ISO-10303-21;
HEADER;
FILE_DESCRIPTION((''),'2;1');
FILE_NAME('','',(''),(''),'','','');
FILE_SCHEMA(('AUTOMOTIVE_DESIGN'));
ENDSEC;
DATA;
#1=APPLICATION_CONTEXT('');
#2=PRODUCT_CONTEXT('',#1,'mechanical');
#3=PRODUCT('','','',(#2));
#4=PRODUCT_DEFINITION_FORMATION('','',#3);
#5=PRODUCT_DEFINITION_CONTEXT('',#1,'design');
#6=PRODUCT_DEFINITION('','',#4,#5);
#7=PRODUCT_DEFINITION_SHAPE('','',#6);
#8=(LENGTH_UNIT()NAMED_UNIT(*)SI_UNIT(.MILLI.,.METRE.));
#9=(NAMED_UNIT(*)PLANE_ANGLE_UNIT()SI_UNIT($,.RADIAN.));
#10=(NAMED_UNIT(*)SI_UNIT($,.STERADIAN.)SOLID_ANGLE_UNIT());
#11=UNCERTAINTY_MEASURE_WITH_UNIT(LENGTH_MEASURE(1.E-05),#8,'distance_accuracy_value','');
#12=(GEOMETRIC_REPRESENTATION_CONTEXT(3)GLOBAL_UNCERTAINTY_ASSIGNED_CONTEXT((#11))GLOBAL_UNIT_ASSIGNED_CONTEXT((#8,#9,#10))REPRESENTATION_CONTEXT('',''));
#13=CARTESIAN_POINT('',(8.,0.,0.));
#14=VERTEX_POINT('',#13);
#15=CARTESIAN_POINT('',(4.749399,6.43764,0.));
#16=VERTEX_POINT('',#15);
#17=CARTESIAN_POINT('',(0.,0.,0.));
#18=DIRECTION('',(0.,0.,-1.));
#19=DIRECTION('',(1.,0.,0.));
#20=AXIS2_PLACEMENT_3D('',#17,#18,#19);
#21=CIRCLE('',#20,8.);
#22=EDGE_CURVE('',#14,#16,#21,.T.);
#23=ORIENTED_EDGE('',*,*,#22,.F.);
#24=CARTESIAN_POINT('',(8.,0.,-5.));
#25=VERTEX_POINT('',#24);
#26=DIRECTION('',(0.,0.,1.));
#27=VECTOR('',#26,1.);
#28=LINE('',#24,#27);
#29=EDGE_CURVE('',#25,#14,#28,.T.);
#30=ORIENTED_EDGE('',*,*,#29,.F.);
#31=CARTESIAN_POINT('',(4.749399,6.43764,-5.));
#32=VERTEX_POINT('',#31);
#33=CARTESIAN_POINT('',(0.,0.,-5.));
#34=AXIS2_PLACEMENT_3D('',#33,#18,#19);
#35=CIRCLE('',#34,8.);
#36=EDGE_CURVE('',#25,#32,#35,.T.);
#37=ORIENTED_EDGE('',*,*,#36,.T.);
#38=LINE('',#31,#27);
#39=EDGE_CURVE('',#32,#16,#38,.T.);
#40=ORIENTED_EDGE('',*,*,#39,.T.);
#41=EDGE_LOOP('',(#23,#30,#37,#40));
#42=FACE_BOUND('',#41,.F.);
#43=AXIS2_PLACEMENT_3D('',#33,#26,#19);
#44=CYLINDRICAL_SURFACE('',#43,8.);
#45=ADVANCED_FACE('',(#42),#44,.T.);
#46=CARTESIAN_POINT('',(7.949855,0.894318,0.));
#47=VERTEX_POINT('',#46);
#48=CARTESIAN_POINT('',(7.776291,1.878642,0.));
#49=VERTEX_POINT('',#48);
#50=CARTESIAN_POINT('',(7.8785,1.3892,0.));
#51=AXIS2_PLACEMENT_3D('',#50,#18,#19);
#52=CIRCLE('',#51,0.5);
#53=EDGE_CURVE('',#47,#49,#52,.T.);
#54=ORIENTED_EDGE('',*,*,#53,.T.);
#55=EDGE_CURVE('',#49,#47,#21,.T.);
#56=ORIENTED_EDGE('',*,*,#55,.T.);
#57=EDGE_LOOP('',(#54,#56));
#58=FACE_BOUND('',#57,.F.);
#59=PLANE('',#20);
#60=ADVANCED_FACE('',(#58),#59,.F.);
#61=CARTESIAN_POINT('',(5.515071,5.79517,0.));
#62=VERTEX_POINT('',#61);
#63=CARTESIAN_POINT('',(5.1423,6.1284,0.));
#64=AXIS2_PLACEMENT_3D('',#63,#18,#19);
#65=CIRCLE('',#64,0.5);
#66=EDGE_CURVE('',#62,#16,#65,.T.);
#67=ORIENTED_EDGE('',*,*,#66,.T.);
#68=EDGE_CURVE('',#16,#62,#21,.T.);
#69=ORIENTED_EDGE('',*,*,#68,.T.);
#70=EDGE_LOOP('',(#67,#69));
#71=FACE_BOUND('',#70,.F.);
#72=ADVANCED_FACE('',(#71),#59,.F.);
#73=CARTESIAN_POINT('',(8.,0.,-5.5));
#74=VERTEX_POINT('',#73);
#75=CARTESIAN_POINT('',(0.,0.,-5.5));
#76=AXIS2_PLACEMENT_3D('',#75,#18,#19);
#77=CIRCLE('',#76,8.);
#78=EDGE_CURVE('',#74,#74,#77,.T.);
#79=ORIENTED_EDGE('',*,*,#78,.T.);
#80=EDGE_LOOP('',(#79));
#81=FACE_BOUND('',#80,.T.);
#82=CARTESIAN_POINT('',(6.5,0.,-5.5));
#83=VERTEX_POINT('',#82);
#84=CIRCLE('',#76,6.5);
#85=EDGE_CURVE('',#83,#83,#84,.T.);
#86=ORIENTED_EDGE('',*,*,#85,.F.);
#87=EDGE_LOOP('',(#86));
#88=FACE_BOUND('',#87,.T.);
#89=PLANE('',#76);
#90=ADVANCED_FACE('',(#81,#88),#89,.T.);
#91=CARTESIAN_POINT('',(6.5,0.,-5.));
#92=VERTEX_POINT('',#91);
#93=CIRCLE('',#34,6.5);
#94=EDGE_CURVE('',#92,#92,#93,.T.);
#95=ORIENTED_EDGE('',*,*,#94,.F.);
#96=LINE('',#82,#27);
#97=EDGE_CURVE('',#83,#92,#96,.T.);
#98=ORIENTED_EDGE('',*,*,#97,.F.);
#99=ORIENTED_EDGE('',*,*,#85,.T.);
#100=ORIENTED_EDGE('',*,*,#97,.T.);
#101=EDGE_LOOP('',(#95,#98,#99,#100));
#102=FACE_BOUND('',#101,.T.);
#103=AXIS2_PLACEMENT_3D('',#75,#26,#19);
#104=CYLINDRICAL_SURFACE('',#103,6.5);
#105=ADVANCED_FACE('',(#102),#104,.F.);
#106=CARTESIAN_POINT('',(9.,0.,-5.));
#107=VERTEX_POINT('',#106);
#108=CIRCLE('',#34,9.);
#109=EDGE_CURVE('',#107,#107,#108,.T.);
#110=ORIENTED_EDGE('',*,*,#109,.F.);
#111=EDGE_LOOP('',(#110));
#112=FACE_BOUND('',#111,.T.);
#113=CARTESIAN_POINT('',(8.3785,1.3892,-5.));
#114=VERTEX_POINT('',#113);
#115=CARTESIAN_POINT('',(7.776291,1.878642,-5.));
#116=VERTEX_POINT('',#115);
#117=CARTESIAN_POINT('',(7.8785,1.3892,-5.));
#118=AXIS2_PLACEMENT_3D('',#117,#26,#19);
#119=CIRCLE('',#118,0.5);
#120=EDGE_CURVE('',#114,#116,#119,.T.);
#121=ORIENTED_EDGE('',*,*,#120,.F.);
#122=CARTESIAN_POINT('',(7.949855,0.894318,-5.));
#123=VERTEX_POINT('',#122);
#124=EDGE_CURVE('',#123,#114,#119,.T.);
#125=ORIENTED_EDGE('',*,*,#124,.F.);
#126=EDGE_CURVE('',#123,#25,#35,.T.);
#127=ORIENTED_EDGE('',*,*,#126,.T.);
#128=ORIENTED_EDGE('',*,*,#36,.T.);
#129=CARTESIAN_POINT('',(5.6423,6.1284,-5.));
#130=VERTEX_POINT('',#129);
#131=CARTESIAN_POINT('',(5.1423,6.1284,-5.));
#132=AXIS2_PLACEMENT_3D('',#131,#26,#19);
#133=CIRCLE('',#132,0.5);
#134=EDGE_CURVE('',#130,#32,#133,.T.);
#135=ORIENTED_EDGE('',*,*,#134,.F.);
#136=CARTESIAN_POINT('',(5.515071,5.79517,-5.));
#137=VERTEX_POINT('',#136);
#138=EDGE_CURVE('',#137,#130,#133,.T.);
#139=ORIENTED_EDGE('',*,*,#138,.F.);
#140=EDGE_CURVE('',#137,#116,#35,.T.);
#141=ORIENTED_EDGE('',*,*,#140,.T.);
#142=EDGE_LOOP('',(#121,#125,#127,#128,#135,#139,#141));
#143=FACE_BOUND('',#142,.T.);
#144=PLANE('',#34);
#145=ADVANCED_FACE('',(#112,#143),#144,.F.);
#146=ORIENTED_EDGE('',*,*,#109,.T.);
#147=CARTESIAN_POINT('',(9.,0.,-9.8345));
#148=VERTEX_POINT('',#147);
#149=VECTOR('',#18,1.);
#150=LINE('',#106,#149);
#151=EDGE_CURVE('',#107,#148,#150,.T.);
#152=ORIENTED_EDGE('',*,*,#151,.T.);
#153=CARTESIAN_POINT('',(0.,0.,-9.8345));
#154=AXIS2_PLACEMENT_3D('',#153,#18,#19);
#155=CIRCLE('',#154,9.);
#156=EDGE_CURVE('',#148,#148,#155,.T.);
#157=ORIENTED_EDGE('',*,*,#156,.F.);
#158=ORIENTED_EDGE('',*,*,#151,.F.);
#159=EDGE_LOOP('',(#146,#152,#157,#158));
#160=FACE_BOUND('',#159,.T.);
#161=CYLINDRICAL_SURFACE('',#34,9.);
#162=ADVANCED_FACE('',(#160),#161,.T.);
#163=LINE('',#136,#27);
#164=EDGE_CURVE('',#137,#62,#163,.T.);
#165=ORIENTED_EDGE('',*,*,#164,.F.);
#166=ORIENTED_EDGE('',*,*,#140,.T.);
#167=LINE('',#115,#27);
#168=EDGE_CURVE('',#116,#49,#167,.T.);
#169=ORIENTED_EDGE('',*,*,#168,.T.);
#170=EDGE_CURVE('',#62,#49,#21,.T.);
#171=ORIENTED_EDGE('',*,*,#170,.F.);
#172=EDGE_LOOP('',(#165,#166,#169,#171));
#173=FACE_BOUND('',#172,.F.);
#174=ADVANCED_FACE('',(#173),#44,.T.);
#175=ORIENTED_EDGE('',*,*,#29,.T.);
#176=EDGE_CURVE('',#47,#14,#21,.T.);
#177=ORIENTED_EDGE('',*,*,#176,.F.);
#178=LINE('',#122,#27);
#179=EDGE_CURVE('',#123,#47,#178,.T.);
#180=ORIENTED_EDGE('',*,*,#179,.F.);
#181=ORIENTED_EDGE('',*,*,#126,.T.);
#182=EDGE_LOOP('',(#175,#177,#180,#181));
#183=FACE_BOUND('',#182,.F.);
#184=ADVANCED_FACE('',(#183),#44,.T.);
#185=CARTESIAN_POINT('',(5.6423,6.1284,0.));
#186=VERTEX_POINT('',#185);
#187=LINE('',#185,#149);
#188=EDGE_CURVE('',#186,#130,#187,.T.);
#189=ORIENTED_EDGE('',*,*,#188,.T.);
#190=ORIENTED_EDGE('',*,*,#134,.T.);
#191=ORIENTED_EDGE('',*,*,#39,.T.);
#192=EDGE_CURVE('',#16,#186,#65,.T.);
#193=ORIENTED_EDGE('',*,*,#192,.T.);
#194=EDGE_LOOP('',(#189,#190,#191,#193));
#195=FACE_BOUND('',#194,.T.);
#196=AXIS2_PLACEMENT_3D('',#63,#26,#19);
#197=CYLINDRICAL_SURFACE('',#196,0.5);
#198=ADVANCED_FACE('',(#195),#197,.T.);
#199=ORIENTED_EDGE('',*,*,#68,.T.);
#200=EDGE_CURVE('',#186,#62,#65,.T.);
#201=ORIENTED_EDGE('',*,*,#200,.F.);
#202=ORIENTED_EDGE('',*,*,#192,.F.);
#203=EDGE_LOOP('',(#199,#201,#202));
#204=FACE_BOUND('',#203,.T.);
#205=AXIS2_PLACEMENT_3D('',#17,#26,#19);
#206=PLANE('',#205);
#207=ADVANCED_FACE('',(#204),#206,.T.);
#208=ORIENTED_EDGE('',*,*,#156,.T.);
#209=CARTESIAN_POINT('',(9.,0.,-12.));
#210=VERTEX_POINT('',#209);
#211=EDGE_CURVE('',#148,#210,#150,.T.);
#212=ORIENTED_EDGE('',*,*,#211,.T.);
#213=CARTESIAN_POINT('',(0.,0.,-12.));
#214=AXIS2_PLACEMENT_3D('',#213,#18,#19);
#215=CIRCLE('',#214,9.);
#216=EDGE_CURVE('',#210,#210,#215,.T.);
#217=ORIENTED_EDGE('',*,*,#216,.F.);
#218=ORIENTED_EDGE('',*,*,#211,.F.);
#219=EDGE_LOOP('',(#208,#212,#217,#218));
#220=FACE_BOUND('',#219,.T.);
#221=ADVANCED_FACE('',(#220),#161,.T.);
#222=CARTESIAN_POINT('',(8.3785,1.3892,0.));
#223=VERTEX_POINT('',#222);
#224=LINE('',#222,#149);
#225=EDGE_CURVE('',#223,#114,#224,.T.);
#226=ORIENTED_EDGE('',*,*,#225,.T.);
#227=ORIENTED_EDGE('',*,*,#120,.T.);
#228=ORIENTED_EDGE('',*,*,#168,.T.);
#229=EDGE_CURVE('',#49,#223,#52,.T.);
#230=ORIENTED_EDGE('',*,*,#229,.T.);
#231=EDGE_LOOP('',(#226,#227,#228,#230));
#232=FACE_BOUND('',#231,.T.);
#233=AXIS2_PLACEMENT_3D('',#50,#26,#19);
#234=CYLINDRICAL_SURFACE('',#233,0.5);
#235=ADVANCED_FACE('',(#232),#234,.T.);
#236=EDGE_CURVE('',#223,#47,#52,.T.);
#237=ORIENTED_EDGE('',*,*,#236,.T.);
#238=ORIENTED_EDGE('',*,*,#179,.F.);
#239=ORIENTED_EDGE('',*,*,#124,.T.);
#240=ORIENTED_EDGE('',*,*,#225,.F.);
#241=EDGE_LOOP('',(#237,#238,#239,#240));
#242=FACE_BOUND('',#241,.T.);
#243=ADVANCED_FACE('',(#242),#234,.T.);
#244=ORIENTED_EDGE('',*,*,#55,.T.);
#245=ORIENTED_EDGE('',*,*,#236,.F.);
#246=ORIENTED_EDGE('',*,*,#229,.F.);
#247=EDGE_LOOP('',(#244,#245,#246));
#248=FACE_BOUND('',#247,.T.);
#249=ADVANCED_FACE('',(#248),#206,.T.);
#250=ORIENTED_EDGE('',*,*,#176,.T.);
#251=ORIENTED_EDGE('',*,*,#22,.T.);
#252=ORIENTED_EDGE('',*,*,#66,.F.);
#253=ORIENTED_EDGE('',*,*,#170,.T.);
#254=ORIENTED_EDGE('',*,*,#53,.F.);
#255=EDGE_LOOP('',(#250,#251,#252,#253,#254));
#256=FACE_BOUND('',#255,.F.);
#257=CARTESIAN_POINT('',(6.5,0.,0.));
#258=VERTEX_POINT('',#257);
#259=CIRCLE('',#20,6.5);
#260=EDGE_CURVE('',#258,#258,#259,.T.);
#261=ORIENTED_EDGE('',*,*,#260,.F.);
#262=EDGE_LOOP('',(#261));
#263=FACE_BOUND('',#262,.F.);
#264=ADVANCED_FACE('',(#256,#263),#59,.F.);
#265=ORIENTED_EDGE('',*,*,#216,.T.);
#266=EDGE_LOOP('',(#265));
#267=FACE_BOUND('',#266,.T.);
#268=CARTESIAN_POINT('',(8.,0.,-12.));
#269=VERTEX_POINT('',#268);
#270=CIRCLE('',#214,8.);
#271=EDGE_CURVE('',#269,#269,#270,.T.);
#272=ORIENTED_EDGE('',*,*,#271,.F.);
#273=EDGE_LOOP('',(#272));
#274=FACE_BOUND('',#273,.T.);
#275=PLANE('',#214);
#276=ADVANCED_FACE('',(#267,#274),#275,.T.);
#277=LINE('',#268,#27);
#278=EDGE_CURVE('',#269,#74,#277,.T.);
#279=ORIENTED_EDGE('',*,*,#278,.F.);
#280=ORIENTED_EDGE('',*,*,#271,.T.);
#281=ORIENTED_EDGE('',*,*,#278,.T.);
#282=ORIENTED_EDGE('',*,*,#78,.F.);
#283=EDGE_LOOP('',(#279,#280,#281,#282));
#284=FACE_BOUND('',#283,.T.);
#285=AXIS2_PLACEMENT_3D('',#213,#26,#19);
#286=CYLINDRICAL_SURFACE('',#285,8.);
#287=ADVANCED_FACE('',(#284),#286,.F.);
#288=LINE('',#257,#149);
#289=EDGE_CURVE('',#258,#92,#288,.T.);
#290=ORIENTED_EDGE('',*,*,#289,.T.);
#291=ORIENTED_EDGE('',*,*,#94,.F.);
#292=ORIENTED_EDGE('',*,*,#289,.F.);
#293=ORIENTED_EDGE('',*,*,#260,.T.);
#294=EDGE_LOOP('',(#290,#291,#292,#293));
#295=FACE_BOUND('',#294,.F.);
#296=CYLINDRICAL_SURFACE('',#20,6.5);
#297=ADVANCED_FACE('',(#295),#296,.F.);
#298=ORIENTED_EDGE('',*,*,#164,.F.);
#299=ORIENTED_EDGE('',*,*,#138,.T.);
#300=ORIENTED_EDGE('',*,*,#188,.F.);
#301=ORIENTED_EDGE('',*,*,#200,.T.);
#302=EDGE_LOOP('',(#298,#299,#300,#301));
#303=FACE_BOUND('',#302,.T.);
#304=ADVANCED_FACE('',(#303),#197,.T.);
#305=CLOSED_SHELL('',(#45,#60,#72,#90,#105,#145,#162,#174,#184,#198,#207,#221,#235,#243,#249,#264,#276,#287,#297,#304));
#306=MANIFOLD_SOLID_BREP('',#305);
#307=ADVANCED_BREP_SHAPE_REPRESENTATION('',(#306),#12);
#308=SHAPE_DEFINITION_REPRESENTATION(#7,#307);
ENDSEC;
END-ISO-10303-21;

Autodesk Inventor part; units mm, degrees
ref_plane "YZ Plane" through (0, 0, 0) normal (1, 0, 0) x (0, 1, 0)
ref_plane "XZ Plane" through (0, 0, 0) normal (0, 1, 0) x (-1, 0, 0)
ref_plane "XY Plane" through (0, 0, 0) normal (0, 0, 1) x (1, 0, 0)
sketch "Sketch4" plane through (0, 0, 0) normal (0, 1, 0) x (-1, 0, 0)
  line L0 (0, 0) -> (0, -19.6155)
  line L1 (-8, 0) -> (-6.5, 0)
  line L2 (-6.5, 0) -> (-6.5, -5)
  line L3 (-8, -5) -> (-8, 0)
  line L4 (-8, -5) -> (-9, -5)
  line L5 (-9, -5) -> (-9, -12)
  line L6 (-9, -12) -> (-8, -12)
  line L7 (-9, -5) -> (-8, -5)
  line L8 (-9, -9.8345) -> (-9, -5)
  line L9 (-8, -12) -> (-8, -5.5)
  line L10 (-8, -5.5) -> (-6.5, -5.5)
  line L11 (-6.5, -5.5) -> (-6.5, -5)
  dimension "d9" = 18
  dimension "d10" = 16
  dimension "d13" = 7
  dimension "d14" = 0
  dimension "d15" = 5
  dimension "d16" = 6.5
  dimension "d17" = 13
  dimension "d18" = 16
revolve "Revolution1" add sketch "Sketch4" angle 360 about axis through (0, 0, 0) along (0, 0, -1)
sketch "Sketch5" plane through (0, 0, 0) normal (0, 0, 1) x (1, 0, 0)
  circle A0 centre (0, 0) radius 8 projected
  circle A1 centre (0, 0) radius 6.5 projected
  line L0 (0, 0) -> (7.8785, 1.3892)
  circle A2 centre (0, 0) radius 8 projected
  line L1 (0, 0) -> (5.4955, 0)
  line L2 (0, 0) -> (5.1423, 6.1284)
  circle A3 centre (5.1423, 6.1284) radius 0.5
  circle A4 centre (7.8785, 1.3892) radius 0.5
  dimension "d20" = 10
  dimension "d21" = 40
  dimension "d22" = 1
  dimension "d23" = 1
extrude "Extrusion4" add sketch "Sketch5" against normal up to surface (5 mm away) contours A4 L0 A0 | A0 A4 | A3 A0 | A0 L2 A3 | L0 A4 A0 | A0 A3 L2
properties part number "500-136" material "ABS Plastic"
